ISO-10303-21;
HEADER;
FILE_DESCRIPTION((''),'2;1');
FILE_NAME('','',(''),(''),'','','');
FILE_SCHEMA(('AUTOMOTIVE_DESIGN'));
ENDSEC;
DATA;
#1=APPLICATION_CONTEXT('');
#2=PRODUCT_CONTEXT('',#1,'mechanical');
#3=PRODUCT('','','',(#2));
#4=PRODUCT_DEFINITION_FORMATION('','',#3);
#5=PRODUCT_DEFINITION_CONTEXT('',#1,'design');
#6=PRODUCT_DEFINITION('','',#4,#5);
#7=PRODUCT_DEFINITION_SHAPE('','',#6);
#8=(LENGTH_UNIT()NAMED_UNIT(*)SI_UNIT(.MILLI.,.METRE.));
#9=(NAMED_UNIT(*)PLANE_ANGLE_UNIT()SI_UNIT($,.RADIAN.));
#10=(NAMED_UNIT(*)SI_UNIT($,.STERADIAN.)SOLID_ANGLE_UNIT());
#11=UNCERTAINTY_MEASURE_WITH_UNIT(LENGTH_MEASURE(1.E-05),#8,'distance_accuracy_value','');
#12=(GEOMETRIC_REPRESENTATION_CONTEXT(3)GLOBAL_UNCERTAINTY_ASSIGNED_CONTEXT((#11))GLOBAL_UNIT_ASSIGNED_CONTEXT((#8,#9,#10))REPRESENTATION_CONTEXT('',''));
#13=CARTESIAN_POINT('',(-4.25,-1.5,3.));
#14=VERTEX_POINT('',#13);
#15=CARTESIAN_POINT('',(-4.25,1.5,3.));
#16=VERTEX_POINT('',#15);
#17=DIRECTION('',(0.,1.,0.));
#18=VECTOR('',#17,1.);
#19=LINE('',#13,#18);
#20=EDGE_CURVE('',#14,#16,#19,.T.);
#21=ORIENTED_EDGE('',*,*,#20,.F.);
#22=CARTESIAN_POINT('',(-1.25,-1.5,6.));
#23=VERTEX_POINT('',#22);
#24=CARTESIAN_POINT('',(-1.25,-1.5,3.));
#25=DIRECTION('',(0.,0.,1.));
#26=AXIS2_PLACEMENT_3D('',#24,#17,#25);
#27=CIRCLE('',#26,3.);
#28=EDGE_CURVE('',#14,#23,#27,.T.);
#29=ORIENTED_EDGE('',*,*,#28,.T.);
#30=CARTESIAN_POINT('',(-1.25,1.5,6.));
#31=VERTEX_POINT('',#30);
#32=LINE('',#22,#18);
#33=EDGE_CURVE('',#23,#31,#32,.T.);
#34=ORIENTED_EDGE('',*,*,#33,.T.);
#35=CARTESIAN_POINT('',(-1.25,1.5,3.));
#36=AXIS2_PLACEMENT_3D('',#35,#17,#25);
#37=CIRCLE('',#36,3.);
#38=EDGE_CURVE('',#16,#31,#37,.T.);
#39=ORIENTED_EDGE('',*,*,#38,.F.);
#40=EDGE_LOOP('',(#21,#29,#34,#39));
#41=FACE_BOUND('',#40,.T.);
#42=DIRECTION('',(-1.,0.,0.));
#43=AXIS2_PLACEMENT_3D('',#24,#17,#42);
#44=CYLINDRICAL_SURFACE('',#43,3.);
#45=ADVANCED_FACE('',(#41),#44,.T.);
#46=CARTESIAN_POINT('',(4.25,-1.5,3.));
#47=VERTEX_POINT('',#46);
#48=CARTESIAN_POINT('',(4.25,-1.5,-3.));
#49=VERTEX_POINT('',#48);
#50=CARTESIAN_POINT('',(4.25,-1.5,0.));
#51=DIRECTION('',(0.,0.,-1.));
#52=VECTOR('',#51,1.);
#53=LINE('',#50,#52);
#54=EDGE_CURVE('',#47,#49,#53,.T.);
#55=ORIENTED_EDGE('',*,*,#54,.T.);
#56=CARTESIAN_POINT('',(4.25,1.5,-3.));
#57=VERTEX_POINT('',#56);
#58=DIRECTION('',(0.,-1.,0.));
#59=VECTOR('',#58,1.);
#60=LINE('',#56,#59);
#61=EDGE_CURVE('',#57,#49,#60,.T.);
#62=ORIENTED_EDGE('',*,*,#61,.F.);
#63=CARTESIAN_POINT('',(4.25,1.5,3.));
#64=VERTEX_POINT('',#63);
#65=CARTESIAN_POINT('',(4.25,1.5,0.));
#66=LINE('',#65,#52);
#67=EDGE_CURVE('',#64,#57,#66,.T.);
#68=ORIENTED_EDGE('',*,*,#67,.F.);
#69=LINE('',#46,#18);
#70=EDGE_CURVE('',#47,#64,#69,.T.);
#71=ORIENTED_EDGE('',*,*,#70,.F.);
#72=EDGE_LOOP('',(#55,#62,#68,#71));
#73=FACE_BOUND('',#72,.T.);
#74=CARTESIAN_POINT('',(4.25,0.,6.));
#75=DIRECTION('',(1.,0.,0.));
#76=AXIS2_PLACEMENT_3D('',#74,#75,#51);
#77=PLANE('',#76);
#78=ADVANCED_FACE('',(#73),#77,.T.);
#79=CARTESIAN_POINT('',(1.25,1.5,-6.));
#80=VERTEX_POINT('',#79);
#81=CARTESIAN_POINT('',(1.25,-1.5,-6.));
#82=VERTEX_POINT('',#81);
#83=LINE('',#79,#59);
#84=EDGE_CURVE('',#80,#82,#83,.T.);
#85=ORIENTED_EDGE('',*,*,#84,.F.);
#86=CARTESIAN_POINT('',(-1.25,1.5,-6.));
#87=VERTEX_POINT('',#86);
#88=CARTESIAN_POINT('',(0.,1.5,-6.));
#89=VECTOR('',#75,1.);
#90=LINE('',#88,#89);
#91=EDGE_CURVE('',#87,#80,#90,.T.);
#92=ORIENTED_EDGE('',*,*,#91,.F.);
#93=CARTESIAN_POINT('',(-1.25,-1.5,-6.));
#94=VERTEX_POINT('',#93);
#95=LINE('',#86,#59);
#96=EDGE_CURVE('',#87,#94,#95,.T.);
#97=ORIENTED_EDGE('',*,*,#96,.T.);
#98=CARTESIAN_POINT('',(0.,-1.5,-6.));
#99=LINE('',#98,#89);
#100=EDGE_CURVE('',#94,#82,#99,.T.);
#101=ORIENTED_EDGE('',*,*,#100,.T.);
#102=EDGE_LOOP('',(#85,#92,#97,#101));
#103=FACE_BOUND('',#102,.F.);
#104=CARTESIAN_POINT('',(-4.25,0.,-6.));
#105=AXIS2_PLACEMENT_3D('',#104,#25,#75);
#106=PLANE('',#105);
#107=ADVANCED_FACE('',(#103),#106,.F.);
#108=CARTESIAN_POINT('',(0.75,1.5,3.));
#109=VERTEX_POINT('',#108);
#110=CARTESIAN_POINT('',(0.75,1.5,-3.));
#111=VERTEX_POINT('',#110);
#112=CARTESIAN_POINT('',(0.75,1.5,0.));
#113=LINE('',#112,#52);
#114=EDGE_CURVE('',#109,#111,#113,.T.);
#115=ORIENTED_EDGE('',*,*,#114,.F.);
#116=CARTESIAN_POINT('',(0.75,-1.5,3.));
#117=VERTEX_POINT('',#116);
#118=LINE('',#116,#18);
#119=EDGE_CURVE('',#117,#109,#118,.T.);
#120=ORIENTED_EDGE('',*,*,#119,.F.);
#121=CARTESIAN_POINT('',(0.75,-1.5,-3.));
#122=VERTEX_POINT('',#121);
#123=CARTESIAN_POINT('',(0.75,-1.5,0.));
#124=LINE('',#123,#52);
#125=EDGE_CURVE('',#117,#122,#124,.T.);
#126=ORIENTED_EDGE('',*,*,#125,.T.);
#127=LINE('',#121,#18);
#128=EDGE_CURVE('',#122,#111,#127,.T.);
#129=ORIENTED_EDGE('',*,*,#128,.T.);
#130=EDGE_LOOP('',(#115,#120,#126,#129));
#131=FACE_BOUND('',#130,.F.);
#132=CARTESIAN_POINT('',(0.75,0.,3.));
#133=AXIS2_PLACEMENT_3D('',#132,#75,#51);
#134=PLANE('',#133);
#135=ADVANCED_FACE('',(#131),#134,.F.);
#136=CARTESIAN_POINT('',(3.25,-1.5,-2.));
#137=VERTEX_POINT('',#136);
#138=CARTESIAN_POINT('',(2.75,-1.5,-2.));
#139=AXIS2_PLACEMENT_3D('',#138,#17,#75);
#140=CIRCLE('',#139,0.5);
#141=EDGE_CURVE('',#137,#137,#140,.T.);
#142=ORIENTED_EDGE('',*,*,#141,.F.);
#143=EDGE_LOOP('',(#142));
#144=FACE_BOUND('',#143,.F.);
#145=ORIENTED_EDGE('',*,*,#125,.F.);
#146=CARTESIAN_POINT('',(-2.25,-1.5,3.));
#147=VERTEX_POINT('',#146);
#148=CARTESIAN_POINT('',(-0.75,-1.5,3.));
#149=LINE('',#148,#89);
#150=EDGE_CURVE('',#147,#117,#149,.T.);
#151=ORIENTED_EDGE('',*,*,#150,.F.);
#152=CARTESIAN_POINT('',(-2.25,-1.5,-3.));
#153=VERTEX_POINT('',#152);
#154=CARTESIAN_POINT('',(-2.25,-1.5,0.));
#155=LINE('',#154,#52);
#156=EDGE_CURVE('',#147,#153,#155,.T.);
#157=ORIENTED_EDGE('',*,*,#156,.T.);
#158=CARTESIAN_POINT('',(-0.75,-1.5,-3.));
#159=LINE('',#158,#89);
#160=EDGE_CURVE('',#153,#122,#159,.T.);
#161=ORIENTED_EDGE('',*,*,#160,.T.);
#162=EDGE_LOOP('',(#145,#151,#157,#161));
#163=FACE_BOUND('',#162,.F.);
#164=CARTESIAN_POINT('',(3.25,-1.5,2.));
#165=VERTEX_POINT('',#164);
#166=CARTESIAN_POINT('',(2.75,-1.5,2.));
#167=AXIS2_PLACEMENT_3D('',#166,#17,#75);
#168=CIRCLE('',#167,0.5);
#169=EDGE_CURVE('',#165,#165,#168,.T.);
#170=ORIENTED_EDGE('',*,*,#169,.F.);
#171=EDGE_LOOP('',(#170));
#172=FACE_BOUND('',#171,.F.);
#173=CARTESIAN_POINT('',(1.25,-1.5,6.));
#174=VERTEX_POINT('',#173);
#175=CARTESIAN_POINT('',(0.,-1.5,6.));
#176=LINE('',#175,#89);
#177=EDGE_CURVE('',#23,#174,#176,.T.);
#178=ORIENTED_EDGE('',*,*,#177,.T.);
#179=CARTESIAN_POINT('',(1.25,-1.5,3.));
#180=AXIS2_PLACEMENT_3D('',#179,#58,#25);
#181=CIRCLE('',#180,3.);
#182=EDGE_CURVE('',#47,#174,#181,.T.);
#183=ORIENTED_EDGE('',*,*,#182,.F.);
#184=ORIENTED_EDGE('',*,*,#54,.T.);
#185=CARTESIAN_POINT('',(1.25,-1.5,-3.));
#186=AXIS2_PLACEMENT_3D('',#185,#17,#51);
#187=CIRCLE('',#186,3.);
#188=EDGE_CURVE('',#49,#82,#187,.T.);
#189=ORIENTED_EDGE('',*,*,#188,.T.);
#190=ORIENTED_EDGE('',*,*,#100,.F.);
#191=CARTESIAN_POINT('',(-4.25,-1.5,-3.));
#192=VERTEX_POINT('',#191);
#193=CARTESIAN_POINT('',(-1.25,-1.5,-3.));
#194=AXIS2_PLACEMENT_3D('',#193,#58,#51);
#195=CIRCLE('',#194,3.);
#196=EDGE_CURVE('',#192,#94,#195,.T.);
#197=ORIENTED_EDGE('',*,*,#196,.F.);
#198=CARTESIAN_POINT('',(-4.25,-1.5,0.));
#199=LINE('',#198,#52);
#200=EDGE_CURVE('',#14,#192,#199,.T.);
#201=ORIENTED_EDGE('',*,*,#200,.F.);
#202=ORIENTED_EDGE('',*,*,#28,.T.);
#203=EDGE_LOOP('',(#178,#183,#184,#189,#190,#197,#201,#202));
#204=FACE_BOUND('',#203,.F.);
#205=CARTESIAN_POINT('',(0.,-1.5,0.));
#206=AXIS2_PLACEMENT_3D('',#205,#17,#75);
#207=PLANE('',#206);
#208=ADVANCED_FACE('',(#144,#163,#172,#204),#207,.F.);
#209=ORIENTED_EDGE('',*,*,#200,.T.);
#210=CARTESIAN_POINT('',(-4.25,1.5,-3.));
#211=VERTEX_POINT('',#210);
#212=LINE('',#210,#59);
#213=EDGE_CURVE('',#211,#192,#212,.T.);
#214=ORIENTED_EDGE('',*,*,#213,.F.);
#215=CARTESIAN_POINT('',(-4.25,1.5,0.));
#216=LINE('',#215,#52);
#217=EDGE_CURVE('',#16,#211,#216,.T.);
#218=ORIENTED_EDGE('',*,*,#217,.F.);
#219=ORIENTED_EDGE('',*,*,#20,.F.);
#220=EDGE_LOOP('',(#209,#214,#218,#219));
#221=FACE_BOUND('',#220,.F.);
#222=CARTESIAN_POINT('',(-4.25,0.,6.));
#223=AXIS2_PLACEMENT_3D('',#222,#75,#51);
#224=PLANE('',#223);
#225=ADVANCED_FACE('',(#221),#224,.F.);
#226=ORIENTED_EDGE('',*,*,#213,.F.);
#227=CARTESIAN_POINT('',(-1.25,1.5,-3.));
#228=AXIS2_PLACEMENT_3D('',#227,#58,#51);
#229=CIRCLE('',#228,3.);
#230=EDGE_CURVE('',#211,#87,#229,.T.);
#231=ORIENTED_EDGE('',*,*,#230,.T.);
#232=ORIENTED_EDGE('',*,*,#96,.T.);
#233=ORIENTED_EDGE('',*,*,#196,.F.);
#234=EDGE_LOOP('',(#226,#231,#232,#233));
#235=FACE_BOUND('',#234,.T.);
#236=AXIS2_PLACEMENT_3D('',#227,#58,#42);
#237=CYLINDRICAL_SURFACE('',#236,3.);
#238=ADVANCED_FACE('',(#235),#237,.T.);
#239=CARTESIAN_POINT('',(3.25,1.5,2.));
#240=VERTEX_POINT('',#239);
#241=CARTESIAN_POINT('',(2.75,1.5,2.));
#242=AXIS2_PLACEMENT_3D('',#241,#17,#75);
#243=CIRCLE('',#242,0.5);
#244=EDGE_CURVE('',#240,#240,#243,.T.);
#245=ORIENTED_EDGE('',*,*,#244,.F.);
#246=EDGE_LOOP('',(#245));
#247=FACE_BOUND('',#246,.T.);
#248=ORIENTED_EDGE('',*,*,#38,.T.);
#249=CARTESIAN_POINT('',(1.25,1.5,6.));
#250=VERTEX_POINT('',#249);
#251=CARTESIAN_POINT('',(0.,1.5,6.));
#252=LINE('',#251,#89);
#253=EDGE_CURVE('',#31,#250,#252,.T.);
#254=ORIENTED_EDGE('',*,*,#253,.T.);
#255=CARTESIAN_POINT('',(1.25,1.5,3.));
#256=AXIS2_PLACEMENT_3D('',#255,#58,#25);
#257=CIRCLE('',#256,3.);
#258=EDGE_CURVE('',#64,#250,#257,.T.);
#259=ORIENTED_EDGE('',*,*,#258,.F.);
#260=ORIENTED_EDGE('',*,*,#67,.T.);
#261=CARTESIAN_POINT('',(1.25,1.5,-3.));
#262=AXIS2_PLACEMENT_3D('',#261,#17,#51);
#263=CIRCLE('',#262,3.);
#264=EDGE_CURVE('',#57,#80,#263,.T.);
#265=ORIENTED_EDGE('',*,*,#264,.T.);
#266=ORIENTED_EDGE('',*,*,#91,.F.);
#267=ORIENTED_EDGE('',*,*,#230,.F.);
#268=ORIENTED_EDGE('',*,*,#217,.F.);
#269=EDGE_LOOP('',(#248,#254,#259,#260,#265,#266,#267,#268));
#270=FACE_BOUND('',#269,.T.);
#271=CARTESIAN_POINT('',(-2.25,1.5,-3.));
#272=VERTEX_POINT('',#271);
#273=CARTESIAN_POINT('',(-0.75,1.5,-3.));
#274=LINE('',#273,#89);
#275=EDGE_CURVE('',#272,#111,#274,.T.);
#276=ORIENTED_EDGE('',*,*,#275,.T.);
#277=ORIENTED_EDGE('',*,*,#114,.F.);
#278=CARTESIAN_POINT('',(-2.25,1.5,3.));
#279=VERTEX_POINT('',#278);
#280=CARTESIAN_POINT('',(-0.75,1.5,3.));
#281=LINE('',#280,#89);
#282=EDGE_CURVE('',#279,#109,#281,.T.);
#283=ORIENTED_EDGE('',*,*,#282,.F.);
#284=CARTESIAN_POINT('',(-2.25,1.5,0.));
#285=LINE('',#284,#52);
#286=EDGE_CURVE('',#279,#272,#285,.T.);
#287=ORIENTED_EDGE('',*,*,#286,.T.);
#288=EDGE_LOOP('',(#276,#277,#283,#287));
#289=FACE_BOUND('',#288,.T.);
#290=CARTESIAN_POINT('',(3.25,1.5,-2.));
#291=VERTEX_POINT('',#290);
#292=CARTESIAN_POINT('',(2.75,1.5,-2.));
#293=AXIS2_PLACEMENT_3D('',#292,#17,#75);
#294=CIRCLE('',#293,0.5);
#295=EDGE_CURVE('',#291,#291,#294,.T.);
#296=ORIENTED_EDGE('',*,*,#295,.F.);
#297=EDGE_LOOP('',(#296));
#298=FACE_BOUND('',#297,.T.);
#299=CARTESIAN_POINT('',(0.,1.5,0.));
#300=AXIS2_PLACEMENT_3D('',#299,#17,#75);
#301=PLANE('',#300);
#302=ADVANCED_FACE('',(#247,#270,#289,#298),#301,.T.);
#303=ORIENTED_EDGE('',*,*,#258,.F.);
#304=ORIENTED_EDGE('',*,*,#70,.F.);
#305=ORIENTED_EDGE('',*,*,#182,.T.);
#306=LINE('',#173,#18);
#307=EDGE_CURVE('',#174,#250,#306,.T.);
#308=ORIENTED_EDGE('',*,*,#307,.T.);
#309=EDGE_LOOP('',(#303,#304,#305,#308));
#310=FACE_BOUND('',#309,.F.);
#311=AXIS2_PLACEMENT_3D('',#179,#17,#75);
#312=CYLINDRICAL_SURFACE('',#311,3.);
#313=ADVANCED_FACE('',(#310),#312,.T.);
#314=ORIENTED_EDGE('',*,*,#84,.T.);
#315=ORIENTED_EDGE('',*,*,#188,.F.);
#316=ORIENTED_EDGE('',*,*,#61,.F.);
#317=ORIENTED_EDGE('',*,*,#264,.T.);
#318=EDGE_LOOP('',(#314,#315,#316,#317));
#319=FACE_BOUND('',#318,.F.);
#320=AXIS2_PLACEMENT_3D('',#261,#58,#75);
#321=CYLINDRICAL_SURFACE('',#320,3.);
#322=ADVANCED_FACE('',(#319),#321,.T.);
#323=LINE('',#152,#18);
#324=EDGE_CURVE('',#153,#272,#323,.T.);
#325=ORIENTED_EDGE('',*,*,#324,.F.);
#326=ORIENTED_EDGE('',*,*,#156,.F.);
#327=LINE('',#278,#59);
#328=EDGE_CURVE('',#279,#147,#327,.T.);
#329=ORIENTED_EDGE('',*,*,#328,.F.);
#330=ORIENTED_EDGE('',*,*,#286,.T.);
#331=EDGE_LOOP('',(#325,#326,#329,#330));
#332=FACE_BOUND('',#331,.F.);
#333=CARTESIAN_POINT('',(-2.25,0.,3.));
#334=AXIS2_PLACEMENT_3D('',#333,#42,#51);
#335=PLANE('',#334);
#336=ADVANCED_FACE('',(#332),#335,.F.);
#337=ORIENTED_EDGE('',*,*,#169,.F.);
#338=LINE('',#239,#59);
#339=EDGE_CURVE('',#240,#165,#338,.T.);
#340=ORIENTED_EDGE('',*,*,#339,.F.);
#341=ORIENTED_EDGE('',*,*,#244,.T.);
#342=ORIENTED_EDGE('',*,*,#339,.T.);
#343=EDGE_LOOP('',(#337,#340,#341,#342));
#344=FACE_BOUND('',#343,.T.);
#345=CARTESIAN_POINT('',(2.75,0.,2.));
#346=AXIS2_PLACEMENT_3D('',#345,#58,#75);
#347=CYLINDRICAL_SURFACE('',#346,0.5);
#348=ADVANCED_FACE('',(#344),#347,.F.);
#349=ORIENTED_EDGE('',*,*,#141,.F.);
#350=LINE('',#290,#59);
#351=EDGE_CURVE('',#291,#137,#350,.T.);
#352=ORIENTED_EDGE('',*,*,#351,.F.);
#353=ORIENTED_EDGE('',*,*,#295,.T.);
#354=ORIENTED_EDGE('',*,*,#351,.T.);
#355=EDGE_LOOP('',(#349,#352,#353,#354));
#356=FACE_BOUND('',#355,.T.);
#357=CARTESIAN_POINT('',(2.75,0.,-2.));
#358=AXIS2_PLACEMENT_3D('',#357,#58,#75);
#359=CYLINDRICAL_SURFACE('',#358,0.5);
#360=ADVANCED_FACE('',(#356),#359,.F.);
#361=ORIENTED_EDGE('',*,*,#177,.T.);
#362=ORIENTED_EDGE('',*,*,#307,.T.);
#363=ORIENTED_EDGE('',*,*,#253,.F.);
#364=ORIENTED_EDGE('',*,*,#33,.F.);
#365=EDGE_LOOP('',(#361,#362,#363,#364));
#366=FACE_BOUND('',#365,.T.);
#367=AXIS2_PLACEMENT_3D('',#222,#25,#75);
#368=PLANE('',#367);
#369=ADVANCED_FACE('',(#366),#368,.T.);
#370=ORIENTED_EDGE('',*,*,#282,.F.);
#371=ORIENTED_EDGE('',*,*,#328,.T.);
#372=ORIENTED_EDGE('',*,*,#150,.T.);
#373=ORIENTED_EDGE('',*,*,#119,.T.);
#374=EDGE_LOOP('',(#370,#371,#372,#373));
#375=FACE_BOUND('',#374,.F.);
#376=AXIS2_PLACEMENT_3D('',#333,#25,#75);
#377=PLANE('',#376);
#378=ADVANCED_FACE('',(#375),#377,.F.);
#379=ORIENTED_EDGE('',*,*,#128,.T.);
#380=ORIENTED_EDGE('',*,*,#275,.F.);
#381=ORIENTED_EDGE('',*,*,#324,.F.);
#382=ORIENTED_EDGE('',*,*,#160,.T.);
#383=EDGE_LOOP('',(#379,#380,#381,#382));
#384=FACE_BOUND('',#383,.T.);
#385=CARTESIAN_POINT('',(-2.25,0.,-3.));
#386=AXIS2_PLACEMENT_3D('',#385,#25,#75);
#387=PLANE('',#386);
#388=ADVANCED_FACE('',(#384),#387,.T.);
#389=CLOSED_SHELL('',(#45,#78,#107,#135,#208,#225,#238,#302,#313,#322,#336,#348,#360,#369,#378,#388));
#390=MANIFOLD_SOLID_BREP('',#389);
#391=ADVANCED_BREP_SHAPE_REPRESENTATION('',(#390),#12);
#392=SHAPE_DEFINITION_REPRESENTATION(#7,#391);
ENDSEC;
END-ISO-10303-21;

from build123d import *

# Parameters (mm, degrees)
SKETCH1_W           = 8.5
SKETCH1_H           = 12
SKETCH1_R           = 0.5
SKETCH1_W_2         = 3
SKETCH1_H_2         = 6
BOSS_EXTRUDE1_DEPTH = 1.5
FILLET1_R           = 3


with BuildPart() as part:
    # Sketch1 → Boss-Extrude1 (new body, symmetric)
    with BuildSketch(Plane(origin=(0, 0, 0), x_dir=(1, 0, 0), z_dir=(0, 1, 0))):
        Rectangle(SKETCH1_W, SKETCH1_H)
        with Locations((2.75, 2)):
            Circle(SKETCH1_R, mode=Mode.SUBTRACT)
        with Locations((2.75, -2)):
            Circle(SKETCH1_R, mode=Mode.SUBTRACT)
        with Locations((-0.75, 0)):
            Rectangle(SKETCH1_W_2, SKETCH1_H_2, mode=Mode.SUBTRACT)
    extrude(amount=BOSS_EXTRUDE1_DEPTH, both=True)

    # Fillet1
    fillet1_edges = [part.edges().sort_by_distance(p)[0] for p in [
        (-4.25, 0, -6),
        (4.25, 0, -6),
        (4.25, 0, 6),
        (-4.25, 0, 6),
    ]]
    fillet(fillet1_edges, radius=FILLET1_R)


solid = part.part
